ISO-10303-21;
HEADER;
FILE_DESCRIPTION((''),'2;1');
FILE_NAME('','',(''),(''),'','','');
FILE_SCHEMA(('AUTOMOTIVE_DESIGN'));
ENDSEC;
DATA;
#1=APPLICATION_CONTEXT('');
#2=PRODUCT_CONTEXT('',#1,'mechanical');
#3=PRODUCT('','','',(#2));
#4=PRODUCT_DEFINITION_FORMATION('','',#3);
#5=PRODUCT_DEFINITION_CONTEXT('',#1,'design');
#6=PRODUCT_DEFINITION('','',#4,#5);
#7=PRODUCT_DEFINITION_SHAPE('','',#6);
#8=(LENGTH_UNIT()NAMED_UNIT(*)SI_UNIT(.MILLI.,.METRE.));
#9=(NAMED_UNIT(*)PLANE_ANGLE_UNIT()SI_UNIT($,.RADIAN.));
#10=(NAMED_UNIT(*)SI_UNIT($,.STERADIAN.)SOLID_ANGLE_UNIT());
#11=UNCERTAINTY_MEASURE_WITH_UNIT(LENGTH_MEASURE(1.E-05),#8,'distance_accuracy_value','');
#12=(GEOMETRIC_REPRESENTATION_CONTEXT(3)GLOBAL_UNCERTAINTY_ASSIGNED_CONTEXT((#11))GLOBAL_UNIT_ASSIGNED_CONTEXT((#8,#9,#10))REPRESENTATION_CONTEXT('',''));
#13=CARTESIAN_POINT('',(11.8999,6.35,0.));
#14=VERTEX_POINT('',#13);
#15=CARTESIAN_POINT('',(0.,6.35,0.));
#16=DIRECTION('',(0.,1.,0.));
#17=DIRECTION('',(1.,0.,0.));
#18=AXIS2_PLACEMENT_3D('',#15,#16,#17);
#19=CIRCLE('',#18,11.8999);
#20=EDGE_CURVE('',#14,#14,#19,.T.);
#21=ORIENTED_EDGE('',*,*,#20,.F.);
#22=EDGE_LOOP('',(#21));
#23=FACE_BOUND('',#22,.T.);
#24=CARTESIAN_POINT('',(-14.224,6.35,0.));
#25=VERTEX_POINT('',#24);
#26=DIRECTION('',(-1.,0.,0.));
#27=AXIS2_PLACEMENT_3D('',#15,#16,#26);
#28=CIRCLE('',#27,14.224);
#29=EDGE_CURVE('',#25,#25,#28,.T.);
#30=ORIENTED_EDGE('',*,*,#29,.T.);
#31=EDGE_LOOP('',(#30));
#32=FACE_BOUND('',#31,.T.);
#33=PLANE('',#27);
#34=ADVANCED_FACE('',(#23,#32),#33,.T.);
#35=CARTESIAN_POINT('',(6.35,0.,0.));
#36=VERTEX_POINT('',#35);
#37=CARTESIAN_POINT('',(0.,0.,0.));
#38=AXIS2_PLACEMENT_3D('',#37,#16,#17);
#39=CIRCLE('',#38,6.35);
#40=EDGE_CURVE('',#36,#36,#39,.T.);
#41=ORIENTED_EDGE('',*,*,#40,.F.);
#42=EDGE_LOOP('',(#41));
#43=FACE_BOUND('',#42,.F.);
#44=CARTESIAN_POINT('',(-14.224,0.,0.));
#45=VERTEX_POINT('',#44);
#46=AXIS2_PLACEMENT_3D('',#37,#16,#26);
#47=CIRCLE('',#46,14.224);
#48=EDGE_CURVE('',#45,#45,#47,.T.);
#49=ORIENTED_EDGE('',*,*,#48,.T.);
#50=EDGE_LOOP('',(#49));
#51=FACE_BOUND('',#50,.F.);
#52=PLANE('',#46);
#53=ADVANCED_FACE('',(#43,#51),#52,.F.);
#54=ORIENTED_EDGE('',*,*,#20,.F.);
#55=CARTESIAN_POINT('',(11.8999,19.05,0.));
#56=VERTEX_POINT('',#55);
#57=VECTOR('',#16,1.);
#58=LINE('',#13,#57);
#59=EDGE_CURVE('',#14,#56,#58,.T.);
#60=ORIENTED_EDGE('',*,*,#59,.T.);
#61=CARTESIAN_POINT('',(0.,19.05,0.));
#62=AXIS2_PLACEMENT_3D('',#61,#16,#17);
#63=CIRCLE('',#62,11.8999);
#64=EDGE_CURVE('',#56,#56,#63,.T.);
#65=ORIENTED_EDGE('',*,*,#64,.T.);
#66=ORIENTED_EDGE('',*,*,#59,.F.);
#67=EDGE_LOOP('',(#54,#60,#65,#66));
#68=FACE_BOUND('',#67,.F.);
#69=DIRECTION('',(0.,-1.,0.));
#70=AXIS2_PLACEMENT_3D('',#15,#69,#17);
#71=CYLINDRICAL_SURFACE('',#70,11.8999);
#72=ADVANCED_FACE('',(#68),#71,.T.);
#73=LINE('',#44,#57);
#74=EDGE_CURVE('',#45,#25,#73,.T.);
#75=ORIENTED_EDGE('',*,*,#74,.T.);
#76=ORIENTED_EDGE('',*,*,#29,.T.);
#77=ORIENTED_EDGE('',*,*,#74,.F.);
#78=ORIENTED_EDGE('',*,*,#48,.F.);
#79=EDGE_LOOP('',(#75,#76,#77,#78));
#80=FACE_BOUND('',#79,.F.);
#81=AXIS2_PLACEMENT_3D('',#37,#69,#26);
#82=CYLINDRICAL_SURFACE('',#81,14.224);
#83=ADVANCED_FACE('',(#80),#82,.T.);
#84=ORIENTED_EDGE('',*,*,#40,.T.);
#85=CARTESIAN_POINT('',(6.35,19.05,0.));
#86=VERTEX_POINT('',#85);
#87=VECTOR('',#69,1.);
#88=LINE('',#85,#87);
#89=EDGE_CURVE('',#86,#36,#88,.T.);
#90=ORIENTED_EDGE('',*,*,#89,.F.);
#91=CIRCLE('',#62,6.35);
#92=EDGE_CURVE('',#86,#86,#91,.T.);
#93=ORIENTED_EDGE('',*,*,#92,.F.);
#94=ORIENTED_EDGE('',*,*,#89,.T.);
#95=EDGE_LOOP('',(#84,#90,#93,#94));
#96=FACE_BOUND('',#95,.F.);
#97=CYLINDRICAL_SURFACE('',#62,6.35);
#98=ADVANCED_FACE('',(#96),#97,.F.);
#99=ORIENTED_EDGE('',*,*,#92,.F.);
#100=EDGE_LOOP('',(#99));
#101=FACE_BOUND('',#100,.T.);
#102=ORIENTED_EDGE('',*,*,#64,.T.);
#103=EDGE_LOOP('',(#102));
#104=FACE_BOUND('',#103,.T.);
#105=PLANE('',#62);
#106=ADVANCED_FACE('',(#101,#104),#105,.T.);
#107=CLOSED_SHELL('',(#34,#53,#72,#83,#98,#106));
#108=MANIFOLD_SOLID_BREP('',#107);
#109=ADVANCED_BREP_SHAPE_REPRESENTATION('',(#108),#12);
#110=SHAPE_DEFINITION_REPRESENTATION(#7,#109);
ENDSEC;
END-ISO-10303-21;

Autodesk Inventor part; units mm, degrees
ref_plane "YZ Plane" through (0, 0, 0) normal (1, 0, 0) x (0, 1, 0)
ref_plane "XZ Plane" through (0, 0, 0) normal (0, 1, 0) x (-1, 0, 0)
ref_plane "XY Plane" through (0, 0, 0) normal (0, 0, 1) x (1, 0, 0)
sketch "Sketch1" plane through (0, 0, 0) normal (0, 1, 0) x (-1, 0, 0)
  circle A0 centre (0, 0) radius 14.224
  dimension "d0" = 28.448
extrude "Extrusion1" add sketch "Sketch1" along normal blind 6.35
sketch "Sketch2" plane through (0, 6.35, 0) normal (0, 1, 0) x (1, 0, 0)
  circle A0 centre (0, 0) radius 14.224 projected
  circle A1 centre (0, 0) radius 11.8999
  dimension "d3" = 23.7998
extrude "Extrusion2" add sketch "Sketch2" along normal blind 12.7 contours A1
sketch "Sketch3" plane through (0, 19.05, 0) normal (0, 1, 0) x (1, 0, 0)
  circle A0 centre (0, 0) radius 11.8999 projected
  circle A1 centre (0, 0) radius 6.35
  dimension "d6" = 12.7
extrude "Extrusion3" cut sketch "Sketch3" against normal blind 2540 contours A1
thread "Thread1" size "15/16-16 UN" class "2A" standard "ANSI Unified Screw Threads" full length
thread "Thread2" size "1-10 UNS" class "2B" standard "ANSI Unified Screw Threads" full length
properties part number "ACME Threaded Rod Nut" material "Bronze, Cast"
